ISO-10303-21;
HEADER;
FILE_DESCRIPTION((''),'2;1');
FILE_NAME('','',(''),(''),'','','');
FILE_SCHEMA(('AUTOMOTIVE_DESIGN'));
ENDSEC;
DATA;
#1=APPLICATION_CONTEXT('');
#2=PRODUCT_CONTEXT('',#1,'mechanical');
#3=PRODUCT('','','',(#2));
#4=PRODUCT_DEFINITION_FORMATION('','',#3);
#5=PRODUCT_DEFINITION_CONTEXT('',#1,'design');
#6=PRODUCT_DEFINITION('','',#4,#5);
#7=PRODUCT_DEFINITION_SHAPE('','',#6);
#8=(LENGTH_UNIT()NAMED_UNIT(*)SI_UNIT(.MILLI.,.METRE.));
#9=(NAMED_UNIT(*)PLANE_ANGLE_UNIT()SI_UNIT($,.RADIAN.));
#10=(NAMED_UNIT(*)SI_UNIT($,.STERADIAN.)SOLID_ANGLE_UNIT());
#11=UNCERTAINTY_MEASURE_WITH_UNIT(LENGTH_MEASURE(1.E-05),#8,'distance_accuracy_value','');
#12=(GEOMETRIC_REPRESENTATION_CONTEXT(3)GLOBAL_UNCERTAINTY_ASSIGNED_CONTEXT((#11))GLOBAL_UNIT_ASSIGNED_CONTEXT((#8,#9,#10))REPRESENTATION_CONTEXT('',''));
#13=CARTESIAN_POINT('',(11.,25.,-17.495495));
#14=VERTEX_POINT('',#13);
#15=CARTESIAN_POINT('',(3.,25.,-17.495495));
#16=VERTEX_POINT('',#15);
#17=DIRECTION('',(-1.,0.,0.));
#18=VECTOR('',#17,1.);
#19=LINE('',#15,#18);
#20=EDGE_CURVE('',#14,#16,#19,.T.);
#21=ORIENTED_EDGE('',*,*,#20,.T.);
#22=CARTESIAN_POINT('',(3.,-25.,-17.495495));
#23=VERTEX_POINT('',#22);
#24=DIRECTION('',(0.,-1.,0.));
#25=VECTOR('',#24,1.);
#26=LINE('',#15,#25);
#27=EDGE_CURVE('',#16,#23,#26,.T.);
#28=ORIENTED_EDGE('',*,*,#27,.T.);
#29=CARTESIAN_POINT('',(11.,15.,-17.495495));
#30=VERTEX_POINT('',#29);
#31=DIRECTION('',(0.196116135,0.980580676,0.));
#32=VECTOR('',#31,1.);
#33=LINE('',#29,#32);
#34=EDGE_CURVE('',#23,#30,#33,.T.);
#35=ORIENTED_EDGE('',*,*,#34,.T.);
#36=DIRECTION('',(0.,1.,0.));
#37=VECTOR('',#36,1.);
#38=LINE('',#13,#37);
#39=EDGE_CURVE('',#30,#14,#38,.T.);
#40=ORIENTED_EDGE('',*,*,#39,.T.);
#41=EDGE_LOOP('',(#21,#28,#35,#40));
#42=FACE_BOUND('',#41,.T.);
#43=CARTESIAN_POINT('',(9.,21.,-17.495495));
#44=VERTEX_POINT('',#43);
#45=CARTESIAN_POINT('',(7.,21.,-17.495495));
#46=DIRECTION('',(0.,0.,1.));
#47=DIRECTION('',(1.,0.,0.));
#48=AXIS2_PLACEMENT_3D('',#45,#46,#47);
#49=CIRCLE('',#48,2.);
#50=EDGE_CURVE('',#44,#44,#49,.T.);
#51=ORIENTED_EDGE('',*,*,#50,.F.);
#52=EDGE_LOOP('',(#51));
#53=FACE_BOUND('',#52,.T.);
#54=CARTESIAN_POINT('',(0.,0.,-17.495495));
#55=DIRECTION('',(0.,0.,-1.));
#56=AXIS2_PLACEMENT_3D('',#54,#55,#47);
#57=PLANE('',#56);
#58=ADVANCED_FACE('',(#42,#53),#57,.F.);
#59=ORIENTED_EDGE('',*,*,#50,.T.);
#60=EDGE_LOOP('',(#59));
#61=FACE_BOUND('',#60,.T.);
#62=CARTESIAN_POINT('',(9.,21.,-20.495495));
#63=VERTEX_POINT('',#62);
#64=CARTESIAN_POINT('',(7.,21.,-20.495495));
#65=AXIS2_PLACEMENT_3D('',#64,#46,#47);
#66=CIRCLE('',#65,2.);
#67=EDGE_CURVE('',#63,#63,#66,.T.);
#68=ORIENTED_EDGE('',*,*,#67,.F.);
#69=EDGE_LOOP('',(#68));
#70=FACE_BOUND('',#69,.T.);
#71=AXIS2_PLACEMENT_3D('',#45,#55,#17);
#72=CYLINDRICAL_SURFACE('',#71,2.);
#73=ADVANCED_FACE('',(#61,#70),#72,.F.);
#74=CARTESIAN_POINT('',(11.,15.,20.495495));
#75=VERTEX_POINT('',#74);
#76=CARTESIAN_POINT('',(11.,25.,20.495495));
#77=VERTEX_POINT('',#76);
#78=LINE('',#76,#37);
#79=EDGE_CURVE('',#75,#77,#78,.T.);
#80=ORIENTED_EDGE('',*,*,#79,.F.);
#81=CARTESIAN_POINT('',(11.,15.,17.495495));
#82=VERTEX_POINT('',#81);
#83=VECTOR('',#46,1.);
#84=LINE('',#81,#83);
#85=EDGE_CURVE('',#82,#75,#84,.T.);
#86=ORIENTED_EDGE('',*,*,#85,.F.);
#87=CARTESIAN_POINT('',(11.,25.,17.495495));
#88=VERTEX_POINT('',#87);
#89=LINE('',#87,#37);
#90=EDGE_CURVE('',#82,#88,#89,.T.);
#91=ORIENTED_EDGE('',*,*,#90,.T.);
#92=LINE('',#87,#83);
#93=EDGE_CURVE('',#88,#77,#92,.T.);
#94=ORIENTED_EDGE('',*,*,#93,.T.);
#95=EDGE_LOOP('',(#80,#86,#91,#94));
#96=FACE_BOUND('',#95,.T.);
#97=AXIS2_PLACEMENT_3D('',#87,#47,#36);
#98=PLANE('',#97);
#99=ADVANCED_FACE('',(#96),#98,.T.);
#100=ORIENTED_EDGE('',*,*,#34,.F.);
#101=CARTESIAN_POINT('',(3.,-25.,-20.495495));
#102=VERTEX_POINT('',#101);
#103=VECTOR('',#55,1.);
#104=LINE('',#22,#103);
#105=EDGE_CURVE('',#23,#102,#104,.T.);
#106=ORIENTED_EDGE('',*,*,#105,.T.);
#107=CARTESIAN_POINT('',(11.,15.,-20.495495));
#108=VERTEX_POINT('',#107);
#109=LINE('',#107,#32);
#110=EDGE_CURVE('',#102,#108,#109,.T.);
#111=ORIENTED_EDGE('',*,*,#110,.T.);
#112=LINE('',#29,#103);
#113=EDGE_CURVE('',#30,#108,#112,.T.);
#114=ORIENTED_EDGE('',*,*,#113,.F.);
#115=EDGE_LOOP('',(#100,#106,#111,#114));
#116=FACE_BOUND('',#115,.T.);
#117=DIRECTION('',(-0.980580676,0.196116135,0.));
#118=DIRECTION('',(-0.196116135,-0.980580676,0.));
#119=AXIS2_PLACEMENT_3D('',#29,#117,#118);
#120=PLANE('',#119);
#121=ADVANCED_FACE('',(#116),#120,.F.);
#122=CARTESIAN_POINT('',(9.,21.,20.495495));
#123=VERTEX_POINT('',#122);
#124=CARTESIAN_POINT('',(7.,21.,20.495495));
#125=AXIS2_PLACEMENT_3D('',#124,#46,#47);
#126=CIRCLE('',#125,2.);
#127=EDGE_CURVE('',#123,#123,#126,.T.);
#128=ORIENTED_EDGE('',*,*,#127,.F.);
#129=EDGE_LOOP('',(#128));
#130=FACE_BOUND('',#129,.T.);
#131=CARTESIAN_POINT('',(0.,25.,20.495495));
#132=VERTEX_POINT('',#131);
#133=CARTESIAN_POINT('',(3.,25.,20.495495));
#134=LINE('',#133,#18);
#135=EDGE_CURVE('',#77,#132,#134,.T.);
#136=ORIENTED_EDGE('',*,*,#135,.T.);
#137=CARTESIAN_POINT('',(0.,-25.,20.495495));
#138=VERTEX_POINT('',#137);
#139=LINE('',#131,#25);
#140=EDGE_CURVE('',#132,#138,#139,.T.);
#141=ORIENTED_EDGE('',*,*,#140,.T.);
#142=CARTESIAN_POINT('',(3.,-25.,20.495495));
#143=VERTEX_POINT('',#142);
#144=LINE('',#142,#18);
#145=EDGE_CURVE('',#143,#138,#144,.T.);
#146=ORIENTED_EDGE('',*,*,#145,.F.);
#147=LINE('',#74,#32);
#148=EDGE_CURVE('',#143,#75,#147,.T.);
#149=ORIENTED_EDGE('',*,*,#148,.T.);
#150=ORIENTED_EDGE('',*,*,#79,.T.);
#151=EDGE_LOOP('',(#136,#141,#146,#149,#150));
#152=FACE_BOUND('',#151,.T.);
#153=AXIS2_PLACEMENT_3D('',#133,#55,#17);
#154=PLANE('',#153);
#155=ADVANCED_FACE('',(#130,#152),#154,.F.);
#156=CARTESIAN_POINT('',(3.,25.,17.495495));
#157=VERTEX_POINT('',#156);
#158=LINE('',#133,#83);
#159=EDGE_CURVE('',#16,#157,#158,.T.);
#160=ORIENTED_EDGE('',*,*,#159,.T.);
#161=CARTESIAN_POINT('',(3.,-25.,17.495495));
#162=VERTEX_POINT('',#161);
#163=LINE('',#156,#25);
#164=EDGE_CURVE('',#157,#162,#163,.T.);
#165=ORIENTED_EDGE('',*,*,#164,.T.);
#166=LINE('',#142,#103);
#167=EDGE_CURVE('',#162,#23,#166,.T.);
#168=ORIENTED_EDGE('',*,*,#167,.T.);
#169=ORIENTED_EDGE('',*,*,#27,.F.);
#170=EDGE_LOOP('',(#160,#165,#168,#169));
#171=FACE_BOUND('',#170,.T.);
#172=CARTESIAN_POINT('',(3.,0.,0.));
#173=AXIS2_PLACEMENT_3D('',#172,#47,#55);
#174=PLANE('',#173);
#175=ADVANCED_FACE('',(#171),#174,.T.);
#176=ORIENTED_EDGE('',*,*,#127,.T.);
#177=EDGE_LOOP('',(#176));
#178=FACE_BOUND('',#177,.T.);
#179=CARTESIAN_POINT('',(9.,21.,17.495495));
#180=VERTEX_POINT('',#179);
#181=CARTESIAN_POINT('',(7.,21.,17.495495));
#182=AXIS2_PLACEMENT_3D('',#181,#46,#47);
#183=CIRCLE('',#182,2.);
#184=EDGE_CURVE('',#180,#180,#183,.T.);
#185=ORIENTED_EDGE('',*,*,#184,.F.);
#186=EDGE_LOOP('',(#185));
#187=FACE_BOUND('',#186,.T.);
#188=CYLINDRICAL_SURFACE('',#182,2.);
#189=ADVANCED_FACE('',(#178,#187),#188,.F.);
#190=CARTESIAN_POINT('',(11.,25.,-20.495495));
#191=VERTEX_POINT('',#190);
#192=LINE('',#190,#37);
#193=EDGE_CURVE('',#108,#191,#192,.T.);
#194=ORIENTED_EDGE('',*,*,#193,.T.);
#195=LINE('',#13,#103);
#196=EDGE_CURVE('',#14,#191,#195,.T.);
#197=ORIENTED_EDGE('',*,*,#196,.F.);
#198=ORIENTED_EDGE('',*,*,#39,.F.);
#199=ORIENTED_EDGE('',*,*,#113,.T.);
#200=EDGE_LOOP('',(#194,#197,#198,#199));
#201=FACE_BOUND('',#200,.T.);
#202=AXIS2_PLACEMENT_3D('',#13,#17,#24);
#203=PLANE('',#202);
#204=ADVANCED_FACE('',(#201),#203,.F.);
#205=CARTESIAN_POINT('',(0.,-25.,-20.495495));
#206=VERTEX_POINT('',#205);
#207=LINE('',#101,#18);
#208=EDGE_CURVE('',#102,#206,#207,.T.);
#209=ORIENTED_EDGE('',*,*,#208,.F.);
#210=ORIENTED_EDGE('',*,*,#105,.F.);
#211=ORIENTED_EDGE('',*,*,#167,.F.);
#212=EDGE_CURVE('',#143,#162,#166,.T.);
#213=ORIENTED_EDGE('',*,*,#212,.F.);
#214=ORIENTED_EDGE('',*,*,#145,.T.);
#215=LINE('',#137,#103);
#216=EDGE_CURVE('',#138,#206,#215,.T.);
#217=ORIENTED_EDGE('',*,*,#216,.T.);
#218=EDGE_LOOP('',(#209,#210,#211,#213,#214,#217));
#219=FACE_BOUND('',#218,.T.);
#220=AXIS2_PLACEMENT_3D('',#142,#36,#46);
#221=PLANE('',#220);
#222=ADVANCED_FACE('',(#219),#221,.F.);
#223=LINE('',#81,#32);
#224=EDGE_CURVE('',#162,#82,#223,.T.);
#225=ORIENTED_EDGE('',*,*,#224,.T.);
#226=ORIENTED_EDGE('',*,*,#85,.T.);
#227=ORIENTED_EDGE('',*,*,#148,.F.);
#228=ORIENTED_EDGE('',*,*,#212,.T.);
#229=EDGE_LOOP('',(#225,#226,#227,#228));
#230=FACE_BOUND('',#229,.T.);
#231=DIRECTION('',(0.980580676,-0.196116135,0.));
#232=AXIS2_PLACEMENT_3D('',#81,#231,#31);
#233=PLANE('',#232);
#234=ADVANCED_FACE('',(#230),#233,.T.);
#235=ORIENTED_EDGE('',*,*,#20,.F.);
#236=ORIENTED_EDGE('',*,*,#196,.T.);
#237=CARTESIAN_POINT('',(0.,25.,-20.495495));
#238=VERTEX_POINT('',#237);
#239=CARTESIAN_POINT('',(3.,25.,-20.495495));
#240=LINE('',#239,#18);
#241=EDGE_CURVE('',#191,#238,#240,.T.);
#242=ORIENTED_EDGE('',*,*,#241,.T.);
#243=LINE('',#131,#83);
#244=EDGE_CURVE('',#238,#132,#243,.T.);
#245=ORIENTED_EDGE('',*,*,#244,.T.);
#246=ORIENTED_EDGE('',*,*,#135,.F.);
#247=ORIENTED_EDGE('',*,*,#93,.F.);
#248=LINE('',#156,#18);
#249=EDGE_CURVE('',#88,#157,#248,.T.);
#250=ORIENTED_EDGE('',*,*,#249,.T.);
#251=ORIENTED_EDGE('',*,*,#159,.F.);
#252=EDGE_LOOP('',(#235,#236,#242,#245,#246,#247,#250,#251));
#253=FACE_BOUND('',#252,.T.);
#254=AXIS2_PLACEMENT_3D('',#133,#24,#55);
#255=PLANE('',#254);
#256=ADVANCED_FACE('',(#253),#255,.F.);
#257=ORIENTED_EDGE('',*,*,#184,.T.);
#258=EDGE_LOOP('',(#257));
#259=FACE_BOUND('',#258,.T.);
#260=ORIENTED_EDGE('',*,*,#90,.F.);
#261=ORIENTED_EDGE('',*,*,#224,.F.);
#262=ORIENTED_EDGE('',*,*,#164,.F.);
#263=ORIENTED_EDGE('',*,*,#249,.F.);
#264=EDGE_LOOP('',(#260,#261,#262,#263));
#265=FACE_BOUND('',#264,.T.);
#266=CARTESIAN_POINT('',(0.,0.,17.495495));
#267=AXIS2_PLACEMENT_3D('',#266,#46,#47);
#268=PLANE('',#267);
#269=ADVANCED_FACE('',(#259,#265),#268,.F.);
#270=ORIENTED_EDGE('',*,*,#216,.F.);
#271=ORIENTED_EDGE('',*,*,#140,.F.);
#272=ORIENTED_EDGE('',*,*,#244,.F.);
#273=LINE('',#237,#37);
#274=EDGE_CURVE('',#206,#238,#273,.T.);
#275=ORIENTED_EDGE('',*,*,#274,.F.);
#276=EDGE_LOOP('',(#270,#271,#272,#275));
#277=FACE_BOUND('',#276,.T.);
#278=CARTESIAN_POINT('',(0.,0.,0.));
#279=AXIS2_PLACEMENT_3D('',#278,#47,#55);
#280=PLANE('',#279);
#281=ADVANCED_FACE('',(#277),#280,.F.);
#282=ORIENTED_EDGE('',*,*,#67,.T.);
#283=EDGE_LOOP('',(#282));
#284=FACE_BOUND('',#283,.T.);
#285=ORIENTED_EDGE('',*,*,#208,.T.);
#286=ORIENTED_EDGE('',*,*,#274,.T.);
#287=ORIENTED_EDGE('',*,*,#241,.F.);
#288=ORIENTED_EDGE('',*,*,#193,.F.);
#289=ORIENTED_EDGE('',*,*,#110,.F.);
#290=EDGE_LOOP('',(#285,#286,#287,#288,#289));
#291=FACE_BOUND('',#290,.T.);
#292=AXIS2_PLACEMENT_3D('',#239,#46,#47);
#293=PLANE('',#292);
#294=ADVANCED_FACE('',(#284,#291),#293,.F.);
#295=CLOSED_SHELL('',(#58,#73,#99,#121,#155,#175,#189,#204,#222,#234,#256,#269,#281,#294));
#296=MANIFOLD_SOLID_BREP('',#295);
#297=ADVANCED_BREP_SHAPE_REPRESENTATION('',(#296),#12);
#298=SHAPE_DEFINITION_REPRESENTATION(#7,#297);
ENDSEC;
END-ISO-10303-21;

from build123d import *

# Parameters (mm, degrees)
SKETCH1_W           = 40.99099099
SKETCH1_H           = 50
BOSS_EXTRUDE1_DEPTH = 3
BOSS_EXTRUDE3_DEPTH = 3
SKETCH4_R           = 2
CUT_EXTRUDE1_DEPTH  = 3


with BuildPart() as part:
    # Sketch1 → Boss-Extrude1 (new body)
    with BuildSketch(Plane(origin=(0, 0, 0), x_dir=(0, 0, -1), z_dir=(1, 0, 0))):
        Rectangle(SKETCH1_W, SKETCH1_H)
    extrude(amount=BOSS_EXTRUDE1_DEPTH)

    # Sketch3 → Boss-Extrude3 (add)
    with BuildSketch(Plane.XY.offset(20.495495495)):
        Polygon((3, 25), (11, 25), (11, 15), (3, -25), align=None)
    boss_extrude3 = extrude(amount=-BOSS_EXTRUDE3_DEPTH)

    # Sketch4 → Cut-Extrude1 (cut)
    with BuildSketch(Plane.XY.offset(20.495495495)):
        with Locations((7, 21)):
            Circle(SKETCH4_R)
    cut_extrude1 = extrude(amount=-CUT_EXTRUDE1_DEPTH, mode=Mode.SUBTRACT)

    # Mirror1: Boss-Extrude3, Cut-Extrude1 across plane
    add(boss_extrude3.mirror(Plane.XY))
    add(cut_extrude1.mirror(Plane.XY), mode=Mode.SUBTRACT)


solid = part.part
